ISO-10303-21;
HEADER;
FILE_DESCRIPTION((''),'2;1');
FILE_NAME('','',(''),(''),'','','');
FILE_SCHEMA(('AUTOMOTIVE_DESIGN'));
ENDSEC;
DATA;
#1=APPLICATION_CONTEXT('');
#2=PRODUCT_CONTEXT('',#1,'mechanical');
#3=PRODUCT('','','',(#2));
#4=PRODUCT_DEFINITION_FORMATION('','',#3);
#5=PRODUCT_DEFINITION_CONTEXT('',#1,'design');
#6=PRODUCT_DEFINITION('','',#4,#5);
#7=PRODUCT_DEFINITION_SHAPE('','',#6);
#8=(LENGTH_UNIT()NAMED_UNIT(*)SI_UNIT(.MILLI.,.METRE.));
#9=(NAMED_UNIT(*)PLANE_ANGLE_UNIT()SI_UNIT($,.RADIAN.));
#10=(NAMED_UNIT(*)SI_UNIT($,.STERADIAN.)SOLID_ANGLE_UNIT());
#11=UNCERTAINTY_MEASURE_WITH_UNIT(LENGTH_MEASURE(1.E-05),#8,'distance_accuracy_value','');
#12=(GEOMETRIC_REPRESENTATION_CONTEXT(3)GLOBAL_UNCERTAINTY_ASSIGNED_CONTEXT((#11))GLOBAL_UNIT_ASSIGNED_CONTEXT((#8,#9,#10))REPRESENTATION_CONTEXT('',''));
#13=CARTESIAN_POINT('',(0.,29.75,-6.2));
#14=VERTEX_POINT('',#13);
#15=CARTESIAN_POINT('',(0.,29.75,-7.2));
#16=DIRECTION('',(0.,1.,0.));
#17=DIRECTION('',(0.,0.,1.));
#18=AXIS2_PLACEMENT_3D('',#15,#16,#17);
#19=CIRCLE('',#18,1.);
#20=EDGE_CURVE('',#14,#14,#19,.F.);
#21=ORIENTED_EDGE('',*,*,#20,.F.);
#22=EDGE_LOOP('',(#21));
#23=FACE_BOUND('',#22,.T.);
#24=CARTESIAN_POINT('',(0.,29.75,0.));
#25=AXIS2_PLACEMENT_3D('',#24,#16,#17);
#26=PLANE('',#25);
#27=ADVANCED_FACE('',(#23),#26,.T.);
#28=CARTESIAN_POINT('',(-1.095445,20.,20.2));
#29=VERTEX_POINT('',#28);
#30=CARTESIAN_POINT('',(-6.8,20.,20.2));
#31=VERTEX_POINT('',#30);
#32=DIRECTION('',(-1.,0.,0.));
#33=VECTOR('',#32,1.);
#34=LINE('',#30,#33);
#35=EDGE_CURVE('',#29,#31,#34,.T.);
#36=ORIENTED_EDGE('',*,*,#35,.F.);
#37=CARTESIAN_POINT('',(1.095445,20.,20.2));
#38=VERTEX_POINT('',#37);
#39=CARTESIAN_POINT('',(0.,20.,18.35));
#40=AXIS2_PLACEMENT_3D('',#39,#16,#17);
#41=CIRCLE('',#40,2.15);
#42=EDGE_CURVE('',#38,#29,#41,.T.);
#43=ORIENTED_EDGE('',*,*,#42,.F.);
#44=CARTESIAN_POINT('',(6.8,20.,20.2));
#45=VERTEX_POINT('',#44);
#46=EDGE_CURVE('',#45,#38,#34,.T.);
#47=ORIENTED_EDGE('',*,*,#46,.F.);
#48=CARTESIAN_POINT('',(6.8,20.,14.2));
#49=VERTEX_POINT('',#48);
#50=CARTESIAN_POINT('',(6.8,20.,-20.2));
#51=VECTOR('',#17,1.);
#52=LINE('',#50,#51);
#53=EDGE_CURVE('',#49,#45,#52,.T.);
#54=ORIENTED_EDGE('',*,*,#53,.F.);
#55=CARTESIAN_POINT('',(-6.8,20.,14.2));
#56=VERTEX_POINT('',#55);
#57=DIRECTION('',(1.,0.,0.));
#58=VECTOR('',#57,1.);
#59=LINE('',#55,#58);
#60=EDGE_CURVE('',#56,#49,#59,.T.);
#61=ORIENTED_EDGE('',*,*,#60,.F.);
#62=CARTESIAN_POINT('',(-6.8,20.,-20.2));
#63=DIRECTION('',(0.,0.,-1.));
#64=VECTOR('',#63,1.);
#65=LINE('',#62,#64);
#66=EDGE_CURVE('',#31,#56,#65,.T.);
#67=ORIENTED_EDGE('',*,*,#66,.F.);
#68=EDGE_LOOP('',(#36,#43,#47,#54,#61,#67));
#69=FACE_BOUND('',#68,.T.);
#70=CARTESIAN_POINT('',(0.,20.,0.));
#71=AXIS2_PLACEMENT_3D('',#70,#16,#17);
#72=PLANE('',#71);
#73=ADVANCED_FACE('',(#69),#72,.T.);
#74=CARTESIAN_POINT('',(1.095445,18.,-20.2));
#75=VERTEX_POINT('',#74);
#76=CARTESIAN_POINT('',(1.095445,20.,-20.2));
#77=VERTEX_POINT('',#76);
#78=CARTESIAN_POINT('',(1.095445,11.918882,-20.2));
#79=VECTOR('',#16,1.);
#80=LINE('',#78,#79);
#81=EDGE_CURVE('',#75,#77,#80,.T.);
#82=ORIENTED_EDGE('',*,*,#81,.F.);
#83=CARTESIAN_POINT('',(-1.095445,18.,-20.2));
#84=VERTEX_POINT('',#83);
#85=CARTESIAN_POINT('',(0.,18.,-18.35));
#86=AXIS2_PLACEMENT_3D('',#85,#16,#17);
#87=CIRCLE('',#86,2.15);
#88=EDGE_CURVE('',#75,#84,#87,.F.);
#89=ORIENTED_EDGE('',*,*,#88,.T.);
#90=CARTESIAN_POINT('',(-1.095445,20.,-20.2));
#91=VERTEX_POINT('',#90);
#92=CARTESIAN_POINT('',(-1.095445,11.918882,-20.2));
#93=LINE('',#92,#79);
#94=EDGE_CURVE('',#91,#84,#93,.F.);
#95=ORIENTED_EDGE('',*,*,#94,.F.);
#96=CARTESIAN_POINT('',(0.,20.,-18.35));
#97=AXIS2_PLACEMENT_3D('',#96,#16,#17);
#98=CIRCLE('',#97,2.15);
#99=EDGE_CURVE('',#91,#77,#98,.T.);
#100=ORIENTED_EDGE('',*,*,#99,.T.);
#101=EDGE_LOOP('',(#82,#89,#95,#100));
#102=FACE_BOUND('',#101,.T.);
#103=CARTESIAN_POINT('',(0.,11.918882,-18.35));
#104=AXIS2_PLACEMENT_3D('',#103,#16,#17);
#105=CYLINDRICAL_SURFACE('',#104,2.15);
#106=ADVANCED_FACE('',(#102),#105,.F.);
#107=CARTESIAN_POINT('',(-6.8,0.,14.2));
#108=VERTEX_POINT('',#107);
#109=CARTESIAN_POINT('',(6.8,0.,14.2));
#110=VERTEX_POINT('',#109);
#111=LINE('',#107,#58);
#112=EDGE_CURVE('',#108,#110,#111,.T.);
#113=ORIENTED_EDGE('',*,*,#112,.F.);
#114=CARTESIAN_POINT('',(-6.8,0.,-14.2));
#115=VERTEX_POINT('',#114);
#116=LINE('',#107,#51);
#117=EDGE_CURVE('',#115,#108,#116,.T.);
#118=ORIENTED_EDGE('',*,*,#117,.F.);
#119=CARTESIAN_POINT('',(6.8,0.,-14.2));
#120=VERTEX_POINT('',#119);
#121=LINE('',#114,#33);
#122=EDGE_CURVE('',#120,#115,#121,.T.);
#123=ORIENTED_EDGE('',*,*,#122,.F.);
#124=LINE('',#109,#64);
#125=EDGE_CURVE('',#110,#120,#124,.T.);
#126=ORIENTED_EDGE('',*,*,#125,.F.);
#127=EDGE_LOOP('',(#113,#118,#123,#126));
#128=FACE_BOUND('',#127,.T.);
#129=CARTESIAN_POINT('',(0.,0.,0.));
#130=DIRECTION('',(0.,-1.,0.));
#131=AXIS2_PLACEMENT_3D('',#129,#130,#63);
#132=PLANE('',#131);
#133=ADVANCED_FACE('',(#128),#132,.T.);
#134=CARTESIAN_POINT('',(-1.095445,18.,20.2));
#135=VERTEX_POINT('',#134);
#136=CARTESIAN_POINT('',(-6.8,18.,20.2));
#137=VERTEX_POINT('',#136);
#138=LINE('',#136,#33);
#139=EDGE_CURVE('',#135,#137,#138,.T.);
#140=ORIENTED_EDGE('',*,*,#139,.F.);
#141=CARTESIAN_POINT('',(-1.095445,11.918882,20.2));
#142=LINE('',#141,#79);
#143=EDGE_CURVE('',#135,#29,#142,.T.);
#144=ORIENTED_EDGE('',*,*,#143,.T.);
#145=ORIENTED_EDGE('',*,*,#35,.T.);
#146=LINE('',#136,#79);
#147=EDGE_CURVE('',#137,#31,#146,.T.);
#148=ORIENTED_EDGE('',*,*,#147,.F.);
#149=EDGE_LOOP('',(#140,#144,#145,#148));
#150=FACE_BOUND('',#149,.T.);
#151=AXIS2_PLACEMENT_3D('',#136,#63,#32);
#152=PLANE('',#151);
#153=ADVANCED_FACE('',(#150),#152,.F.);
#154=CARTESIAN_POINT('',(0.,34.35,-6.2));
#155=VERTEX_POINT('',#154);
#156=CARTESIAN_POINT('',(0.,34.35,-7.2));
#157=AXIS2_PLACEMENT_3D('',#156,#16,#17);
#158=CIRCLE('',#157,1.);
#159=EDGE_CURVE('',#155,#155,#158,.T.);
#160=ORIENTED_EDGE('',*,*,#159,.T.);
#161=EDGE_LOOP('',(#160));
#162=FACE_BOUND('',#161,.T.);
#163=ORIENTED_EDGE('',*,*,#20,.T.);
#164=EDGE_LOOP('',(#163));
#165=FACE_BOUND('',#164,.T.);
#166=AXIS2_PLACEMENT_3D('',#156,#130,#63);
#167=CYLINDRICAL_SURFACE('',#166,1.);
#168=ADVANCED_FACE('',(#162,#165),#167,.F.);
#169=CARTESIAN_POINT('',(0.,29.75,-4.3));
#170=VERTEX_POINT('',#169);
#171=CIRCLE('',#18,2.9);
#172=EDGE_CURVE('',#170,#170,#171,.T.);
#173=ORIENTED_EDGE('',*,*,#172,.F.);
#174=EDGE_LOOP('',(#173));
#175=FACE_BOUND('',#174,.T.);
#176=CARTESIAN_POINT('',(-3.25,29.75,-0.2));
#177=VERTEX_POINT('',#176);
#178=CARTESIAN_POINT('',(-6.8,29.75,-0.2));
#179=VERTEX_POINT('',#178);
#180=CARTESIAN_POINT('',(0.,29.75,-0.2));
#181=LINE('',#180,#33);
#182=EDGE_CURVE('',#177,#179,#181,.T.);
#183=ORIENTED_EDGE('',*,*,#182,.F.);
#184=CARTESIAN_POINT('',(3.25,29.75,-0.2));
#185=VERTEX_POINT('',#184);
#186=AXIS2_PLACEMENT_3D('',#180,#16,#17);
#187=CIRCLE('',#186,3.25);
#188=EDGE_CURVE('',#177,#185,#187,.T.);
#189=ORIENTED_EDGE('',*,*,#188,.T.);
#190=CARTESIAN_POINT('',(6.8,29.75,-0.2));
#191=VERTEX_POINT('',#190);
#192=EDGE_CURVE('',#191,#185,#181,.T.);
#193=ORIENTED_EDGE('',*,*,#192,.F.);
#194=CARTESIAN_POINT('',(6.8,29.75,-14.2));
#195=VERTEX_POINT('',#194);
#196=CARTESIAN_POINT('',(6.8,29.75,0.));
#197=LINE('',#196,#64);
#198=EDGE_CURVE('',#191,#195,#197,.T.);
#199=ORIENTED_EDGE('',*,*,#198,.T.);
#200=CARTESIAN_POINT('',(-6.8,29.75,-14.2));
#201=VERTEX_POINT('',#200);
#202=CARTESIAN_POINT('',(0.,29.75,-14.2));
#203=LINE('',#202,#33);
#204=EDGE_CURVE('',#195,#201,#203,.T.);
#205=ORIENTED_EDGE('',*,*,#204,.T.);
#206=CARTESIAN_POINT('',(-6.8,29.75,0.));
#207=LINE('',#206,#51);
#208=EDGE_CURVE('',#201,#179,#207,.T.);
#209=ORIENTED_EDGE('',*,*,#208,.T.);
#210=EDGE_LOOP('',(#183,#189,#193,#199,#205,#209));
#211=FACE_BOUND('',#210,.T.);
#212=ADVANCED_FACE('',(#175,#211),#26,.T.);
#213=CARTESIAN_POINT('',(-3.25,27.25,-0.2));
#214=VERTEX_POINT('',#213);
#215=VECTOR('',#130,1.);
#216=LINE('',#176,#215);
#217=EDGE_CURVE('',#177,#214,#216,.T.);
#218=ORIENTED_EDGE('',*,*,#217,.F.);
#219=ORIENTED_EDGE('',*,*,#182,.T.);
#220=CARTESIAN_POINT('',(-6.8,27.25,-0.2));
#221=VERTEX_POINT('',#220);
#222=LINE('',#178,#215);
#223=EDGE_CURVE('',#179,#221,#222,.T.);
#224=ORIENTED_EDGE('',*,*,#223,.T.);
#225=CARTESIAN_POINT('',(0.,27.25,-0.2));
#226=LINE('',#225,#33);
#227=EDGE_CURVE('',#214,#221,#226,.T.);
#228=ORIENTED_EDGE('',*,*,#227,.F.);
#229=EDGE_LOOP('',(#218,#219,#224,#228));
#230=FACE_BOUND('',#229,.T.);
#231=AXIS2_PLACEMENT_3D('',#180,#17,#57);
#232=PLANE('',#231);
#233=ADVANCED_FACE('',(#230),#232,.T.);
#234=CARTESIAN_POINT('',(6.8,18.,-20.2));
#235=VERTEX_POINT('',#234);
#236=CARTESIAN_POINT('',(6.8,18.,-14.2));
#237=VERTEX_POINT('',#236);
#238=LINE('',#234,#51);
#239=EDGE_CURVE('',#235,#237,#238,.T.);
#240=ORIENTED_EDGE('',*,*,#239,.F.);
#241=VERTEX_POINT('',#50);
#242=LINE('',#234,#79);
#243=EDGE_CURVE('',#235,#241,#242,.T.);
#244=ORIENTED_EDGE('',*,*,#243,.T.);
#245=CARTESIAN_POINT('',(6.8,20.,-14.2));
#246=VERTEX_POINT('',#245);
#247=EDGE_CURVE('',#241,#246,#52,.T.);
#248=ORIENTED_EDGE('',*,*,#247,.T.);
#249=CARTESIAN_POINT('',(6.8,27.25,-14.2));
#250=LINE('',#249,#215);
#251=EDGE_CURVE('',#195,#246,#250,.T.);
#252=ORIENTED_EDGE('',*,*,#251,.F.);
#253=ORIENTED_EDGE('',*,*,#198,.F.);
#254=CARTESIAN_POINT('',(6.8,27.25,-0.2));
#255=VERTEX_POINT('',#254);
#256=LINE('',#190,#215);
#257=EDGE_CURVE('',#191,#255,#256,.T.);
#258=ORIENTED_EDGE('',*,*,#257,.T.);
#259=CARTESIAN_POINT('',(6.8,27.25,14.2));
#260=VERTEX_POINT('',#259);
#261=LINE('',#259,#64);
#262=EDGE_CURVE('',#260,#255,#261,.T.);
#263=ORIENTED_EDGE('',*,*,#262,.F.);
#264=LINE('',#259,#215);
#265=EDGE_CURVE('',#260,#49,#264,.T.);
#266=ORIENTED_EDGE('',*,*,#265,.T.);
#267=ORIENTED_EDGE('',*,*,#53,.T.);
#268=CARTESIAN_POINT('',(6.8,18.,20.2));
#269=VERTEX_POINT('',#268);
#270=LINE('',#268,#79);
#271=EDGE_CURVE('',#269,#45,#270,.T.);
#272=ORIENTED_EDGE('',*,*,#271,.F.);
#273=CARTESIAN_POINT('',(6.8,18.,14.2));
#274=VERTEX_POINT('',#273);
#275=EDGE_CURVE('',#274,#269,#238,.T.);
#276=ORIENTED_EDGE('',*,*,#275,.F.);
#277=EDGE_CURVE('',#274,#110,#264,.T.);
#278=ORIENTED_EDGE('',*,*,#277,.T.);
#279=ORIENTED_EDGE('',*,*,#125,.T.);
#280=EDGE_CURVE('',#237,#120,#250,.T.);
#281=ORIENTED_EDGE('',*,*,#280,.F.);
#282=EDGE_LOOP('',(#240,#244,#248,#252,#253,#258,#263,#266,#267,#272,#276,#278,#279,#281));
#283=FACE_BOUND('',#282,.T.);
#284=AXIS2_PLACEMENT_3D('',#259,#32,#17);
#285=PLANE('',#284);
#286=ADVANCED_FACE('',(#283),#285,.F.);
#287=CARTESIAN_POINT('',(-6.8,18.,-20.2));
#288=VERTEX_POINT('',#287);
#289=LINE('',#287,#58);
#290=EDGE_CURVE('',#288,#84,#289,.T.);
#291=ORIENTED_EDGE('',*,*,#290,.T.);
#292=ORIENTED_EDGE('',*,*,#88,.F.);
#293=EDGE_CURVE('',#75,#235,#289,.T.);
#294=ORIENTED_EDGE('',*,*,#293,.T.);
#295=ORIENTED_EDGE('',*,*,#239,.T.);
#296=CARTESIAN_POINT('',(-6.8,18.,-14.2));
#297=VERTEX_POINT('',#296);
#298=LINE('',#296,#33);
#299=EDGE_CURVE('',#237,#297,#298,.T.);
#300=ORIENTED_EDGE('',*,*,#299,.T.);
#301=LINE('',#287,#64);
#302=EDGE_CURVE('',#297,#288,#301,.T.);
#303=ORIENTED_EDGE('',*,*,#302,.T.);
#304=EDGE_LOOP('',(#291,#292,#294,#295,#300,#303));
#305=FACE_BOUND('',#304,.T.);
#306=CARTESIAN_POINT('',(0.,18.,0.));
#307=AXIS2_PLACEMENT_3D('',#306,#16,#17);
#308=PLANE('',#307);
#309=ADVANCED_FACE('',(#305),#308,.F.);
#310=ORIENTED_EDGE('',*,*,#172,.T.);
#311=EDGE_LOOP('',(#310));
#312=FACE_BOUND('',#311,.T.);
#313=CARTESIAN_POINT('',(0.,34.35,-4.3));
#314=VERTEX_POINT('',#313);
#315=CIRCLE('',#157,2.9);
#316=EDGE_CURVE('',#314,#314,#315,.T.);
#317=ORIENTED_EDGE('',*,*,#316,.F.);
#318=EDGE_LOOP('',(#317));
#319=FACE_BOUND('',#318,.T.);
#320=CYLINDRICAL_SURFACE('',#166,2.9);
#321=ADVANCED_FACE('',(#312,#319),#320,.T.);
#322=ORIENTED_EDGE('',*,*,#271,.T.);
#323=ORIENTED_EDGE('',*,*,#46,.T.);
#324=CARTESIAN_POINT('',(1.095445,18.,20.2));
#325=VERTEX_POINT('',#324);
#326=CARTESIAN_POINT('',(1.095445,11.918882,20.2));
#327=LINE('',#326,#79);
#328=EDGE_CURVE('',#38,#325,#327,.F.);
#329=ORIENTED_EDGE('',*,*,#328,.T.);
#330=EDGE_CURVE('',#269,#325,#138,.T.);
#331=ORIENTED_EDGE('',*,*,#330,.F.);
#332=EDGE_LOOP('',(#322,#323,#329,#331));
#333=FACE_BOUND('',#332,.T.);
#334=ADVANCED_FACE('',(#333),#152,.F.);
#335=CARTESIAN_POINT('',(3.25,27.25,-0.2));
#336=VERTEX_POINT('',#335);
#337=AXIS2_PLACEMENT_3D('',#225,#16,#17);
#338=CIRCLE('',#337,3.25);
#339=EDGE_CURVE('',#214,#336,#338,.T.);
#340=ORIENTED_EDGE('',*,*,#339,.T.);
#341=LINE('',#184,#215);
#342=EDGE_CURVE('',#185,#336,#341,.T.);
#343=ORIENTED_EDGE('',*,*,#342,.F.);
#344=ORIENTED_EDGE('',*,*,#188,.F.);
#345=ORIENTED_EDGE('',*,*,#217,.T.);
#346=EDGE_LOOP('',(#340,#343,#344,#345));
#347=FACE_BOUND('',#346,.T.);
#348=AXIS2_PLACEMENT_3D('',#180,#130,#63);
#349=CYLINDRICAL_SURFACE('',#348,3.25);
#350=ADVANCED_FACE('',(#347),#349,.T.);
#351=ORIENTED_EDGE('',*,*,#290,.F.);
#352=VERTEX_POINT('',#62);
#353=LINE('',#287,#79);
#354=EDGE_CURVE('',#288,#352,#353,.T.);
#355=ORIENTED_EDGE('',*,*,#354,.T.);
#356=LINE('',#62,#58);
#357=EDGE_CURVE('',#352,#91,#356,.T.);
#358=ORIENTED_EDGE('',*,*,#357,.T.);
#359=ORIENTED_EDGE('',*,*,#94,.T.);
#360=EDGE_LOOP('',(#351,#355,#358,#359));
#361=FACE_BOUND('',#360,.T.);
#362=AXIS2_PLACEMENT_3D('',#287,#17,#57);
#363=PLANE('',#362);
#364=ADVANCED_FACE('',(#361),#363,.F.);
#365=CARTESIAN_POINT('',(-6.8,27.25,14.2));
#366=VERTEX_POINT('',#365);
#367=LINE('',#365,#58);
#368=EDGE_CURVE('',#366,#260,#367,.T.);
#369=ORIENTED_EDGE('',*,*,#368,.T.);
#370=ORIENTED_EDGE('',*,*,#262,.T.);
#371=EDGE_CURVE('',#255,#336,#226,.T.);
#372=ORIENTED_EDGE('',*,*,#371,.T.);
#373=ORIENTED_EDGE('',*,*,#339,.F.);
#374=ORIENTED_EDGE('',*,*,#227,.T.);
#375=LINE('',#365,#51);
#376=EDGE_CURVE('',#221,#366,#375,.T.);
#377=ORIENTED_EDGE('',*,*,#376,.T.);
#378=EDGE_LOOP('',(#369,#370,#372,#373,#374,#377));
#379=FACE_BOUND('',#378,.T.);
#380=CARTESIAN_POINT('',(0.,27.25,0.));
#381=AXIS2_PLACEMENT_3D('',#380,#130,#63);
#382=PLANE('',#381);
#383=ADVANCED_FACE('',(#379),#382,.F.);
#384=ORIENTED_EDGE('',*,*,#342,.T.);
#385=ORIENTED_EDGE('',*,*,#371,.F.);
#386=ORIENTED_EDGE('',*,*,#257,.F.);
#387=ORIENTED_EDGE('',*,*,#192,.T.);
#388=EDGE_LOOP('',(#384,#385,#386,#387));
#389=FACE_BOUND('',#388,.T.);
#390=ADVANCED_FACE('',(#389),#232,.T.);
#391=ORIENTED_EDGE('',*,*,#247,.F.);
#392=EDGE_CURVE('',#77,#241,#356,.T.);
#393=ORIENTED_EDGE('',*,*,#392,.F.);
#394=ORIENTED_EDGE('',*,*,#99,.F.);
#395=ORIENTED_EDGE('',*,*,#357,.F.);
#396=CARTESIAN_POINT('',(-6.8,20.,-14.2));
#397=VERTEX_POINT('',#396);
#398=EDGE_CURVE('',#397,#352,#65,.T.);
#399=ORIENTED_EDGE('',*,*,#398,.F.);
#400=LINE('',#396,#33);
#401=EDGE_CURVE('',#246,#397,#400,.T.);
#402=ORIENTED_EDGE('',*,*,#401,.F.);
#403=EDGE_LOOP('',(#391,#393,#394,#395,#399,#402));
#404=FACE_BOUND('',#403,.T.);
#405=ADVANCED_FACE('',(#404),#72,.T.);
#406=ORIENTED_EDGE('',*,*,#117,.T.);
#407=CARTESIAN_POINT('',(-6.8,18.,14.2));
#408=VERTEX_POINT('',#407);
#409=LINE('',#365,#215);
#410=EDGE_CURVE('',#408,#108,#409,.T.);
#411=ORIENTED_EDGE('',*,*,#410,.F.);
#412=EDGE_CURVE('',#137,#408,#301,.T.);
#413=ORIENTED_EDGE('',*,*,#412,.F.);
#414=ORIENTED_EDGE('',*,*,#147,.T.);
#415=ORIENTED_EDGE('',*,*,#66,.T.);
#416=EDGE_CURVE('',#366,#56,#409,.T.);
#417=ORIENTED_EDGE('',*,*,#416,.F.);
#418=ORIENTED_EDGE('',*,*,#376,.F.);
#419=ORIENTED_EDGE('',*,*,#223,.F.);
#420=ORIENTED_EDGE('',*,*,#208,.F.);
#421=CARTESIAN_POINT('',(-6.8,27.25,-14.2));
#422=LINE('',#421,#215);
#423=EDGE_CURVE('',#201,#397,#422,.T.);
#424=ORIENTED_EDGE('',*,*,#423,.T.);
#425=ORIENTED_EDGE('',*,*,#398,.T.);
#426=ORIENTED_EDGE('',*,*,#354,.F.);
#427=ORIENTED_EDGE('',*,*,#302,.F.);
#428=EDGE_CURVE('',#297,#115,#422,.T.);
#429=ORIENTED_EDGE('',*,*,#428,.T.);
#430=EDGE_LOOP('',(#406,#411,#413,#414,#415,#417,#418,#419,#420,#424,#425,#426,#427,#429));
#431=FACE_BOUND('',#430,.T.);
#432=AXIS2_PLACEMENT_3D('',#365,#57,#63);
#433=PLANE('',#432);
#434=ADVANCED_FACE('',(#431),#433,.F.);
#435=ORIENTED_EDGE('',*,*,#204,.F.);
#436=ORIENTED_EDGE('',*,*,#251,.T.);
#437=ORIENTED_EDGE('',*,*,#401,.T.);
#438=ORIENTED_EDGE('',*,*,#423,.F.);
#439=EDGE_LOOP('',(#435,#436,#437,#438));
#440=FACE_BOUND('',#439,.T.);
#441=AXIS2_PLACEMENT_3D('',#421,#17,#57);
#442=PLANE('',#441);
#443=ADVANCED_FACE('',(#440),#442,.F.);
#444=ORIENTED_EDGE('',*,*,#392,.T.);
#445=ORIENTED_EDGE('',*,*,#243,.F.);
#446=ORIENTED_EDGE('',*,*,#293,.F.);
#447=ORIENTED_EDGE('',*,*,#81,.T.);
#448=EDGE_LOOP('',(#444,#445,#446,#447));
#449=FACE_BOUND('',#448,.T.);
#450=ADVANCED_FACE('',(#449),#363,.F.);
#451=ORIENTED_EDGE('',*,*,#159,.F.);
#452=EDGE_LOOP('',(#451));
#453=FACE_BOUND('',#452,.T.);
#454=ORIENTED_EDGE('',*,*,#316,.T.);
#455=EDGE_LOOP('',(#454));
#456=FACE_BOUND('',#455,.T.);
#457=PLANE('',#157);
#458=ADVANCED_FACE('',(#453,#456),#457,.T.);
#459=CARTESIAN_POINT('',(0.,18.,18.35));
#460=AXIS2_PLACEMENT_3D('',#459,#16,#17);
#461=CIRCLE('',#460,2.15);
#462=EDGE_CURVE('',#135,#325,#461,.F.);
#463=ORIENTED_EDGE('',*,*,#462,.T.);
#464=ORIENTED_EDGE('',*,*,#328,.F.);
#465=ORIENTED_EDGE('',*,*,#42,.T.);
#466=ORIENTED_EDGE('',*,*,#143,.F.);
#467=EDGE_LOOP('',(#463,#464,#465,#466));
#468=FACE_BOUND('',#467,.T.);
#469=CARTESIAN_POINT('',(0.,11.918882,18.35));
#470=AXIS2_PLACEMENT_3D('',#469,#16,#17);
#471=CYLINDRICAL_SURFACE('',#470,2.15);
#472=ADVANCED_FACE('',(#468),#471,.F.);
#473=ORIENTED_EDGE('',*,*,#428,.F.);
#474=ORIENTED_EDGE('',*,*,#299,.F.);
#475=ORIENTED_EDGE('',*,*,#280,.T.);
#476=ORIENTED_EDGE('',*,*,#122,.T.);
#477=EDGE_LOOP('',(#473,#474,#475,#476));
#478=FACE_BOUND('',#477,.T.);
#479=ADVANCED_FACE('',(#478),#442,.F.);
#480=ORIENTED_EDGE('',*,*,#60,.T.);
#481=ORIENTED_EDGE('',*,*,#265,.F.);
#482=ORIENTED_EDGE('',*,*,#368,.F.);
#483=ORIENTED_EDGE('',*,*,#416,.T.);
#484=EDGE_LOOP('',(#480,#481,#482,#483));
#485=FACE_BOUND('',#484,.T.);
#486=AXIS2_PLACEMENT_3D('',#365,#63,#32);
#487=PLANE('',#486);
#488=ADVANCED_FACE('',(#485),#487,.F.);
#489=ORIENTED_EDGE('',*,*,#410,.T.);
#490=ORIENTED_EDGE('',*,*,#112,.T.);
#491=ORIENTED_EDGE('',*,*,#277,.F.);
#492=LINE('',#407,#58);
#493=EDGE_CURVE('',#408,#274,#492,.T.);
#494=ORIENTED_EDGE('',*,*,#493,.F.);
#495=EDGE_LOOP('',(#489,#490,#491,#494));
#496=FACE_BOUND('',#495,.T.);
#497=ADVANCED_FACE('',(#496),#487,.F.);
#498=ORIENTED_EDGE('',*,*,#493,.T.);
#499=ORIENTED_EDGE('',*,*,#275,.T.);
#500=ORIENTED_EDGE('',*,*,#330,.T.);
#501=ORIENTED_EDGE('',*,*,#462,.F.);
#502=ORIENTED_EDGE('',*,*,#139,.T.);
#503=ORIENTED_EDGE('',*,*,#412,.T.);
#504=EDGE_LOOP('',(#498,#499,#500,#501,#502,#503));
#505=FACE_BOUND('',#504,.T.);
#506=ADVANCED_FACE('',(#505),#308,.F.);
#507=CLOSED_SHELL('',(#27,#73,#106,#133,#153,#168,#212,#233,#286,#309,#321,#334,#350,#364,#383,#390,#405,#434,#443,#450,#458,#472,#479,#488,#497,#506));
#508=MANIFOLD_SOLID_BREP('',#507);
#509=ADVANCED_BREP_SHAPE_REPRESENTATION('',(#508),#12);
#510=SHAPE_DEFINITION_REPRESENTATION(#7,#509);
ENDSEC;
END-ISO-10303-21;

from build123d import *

# Parameters (mm, degrees)
SKETCH1_W           = 13.6
SKETCH1_H           = 28.4
BOSS_EXTRUDE1_DEPTH = 27.25
BOSS_EXTRUDE2_DEPTH = 2.5
SKETCH3_R           = 2.9
SKETCH3_R_2         = 1
BOSS_EXTRUDE3_DEPTH = 4.6
SKETCH5_W           = 13.6
SKETCH5_H           = 40.4
BOSS_EXTRUDE5_DEPTH = 2
SKETCH8_R           = 2.15
CUT_EXTRUDE1_DEPTH  = 2
SKETCH7_R           = 2.15
CUT_EXTRUDE2_DEPTH  = 2


with BuildPart() as part:
    # Sketch1 → Boss-Extrude1 (new body)
    with BuildSketch(Plane(origin=(0, 0, 0), x_dir=(1, 0, 0), z_dir=(0, 1, 0))):
        Rectangle(SKETCH1_W, SKETCH1_H)
    extrude(amount=BOSS_EXTRUDE1_DEPTH)

    # Sketch2 → Boss-Extrude2 (add)
    with BuildSketch(Plane(origin=(0, 27.25, 0), x_dir=(1, 0, 0), z_dir=(0, 1, 0))):
        with BuildLine():
            ThreePointArc((-3.25, 0.2), (0, -3.05), (3.25, 0.2))
            Line((3.25, 0.2), (-3.25, 0.2))
        make_face()
        with BuildLine():
            Line((-3.25, 0.2), (3.25, 0.2))
            ThreePointArc((3.25, 0.2), (0, 3.45), (-3.25, 0.2))
        make_face()
        with BuildLine():
            Line((6.8, 0.2), (6.8, 14.2))
            Line((6.8, 14.2), (-6.8, 14.2))
            Line((-6.8, 14.2), (-6.8, 0.2))
            Line((-6.8, 0.2), (-3.25, 0.2))
            ThreePointArc((-3.25, 0.2), (0, 3.45), (3.25, 0.2))
            Line((3.25, 0.2), (6.8, 0.2))
        make_face()
    extrude(amount=BOSS_EXTRUDE2_DEPTH)

    # Sketch3 → Boss-Extrude3 (add)
    with BuildSketch(Plane(origin=(0, 29.75, 0), x_dir=(1, 0, 0), z_dir=(0, 1, 0))):
        with Locations(Location((0, 7.2, 0), (0, 0, 270))):
            Circle(SKETCH3_R)
        with Locations(Location((0, 7.2, 0), (0, 0, 270))):
            Circle(SKETCH3_R_2, mode=Mode.SUBTRACT)
    extrude(amount=BOSS_EXTRUDE3_DEPTH)

    # Sketch5 → Boss-Extrude5 (add)
    with BuildSketch(Plane(origin=(0, 20, 0), x_dir=(-1, 0, 0), z_dir=(0, -1, 0))):
        Rectangle(SKETCH5_W, SKETCH5_H)
    extrude(amount=BOSS_EXTRUDE5_DEPTH)

    # Sketch8 → Cut-Extrude1 (cut)
    with BuildSketch(Plane(origin=(0, 20, 0), x_dir=(1, 0, 0), z_dir=(0, 1, 0))):
        with Locations((0, -18.35)):
            Circle(SKETCH8_R)
    extrude(amount=-CUT_EXTRUDE1_DEPTH, mode=Mode.SUBTRACT)

    # Sketch7 → Cut-Extrude2 (cut)
    with BuildSketch(Plane(origin=(0, 20, 0), x_dir=(1, 0, 0), z_dir=(0, 1, 0))):
        with Locations((0, 18.35)):
            Circle(SKETCH7_R)
    extrude(amount=-CUT_EXTRUDE2_DEPTH, mode=Mode.SUBTRACT)


solid = part.part
